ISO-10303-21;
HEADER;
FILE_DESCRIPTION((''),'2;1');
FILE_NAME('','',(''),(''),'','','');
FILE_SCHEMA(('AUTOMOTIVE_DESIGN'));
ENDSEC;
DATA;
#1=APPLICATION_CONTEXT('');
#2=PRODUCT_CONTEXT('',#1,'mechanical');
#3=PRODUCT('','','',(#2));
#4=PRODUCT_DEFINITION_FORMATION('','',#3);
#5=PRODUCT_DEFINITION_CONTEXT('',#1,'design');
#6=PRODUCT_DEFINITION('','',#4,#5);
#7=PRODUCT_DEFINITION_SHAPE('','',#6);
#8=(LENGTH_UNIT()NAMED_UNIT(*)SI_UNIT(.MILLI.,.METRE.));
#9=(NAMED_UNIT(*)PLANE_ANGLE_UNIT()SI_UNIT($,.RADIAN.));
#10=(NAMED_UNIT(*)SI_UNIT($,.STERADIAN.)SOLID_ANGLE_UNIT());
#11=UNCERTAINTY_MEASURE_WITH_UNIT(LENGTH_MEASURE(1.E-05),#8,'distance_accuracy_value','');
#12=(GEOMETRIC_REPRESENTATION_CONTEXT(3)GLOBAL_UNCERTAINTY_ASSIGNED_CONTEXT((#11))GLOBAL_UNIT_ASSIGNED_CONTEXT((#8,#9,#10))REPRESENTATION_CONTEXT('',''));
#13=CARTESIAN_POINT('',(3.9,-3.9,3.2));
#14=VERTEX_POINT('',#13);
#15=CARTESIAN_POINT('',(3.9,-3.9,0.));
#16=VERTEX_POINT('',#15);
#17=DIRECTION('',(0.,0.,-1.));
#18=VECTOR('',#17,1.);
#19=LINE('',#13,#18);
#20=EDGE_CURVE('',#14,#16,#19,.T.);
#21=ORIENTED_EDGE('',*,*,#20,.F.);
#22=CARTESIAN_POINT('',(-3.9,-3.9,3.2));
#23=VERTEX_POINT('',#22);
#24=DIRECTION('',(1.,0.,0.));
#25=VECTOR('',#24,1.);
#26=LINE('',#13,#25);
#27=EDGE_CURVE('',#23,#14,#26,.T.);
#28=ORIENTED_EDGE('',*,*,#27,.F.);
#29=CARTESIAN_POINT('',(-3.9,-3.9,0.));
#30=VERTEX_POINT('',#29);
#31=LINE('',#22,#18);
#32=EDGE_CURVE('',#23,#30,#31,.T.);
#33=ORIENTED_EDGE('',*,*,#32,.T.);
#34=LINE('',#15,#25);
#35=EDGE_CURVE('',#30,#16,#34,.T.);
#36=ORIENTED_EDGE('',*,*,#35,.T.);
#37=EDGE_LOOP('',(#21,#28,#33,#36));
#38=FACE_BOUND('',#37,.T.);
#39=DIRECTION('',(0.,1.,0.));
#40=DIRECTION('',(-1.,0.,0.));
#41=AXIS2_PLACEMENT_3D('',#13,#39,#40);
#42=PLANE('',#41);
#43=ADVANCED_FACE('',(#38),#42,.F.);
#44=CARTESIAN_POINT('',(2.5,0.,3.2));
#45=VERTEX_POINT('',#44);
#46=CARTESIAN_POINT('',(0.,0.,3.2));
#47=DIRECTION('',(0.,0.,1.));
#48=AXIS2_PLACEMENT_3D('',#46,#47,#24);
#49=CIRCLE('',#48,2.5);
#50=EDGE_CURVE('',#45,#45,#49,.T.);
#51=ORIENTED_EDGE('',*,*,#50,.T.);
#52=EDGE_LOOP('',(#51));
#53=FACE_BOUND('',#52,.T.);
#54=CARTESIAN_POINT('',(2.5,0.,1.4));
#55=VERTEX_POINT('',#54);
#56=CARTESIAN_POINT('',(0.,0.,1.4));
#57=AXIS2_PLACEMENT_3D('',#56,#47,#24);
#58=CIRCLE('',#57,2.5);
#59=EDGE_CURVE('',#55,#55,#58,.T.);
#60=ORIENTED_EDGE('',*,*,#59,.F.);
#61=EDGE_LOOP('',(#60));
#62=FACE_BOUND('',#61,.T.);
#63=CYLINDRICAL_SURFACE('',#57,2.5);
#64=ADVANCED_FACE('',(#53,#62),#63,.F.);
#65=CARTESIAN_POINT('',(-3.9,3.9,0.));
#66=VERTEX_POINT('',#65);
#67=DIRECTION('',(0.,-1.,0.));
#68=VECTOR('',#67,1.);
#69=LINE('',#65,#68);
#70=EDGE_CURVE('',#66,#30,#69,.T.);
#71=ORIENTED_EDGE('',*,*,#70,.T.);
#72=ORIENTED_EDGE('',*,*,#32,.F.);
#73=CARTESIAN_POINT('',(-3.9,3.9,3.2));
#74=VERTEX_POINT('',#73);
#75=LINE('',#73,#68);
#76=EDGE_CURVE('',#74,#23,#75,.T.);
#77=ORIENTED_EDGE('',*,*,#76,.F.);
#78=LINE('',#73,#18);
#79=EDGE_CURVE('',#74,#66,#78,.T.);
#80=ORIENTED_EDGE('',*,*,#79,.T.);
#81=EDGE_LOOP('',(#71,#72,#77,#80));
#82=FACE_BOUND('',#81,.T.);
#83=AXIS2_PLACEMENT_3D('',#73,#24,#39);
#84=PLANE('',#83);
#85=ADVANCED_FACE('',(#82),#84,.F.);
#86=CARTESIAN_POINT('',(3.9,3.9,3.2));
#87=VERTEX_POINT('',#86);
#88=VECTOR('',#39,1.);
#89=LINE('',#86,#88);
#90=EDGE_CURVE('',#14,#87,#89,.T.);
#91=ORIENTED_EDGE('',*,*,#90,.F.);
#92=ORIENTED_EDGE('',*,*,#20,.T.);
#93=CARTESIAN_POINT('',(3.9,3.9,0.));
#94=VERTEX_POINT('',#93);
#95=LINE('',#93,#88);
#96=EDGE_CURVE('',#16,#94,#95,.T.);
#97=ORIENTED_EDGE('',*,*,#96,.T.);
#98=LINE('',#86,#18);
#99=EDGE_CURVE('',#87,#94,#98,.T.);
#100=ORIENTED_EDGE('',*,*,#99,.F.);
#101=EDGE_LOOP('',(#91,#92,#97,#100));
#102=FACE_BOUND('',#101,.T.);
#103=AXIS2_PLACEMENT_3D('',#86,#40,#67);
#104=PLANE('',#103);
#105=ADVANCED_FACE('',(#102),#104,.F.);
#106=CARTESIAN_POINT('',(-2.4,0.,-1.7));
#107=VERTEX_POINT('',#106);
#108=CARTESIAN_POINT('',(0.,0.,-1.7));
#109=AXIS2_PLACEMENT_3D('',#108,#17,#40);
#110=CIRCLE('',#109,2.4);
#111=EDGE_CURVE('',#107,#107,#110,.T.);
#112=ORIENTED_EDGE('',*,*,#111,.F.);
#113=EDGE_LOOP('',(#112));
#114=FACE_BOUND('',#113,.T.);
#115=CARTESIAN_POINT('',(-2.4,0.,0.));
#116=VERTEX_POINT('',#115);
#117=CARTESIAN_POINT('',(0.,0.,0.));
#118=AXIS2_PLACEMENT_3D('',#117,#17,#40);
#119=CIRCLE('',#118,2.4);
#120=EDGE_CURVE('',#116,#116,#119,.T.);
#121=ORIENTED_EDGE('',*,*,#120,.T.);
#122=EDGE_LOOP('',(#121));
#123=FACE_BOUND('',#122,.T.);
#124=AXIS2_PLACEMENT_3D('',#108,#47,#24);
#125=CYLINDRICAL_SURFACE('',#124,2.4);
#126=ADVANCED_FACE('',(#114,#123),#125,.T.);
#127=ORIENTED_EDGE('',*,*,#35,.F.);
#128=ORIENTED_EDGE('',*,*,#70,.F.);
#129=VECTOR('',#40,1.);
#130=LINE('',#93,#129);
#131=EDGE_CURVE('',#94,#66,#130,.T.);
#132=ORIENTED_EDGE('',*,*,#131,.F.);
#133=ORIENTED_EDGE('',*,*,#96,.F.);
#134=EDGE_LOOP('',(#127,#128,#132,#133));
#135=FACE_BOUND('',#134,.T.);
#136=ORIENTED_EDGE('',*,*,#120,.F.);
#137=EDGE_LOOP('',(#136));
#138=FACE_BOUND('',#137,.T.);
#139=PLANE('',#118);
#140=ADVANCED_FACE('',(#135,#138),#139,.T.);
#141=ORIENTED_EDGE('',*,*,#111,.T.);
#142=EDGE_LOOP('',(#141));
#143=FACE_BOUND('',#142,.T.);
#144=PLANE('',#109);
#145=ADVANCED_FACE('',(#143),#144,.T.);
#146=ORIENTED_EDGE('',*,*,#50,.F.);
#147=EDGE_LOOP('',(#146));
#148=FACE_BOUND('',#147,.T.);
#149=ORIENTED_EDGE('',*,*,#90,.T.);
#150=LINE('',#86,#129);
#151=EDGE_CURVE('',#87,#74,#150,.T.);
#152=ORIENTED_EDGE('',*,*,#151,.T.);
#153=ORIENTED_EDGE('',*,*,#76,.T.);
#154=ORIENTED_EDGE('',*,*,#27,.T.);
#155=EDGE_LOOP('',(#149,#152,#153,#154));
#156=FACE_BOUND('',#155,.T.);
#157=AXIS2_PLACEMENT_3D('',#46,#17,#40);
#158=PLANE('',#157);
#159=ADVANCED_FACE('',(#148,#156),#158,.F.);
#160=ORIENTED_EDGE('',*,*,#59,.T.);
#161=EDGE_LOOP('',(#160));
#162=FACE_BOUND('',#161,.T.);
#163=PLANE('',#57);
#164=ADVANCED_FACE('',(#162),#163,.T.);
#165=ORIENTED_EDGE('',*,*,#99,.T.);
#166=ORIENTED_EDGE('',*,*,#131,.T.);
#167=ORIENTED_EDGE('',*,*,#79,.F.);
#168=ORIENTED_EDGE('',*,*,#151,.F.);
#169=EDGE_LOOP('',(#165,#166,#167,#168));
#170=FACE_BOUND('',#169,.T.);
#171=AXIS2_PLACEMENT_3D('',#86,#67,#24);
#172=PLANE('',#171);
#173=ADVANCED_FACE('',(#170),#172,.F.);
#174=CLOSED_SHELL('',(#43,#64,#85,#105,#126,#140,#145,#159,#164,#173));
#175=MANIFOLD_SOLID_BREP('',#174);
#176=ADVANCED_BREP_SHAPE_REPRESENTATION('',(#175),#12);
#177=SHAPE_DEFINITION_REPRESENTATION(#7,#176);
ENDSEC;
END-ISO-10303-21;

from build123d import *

# Parameters (mm, degrees)
SKETCH_1_W          = 7.8
SKETCH_1_H          = 7.8
EXTRUDE_1_DEPTH     = 3.2
SKETCH_2_R          = 2.5
CUT_EXTRUDE_1_DEPTH = 1.8
SKETCH_3_R          = 2.4
EXTRUDE_2_DEPTH     = 1.7


with BuildPart() as part:
    # Эскиз1 → Бобышка-Вытянуть1 (new body)
    with BuildSketch(Plane.XY):
        Rectangle(SKETCH_1_W, SKETCH_1_H)
    extrude(amount=EXTRUDE_1_DEPTH)

    # Эскиз2 → Вырез-Вытянуть1 (cut)
    with BuildSketch(Plane.XY.offset(3.2)):
        Circle(SKETCH_2_R)
    extrude(amount=-CUT_EXTRUDE_1_DEPTH, mode=Mode.SUBTRACT)

    # Эскиз3 → Бобышка-Вытянуть2 (add)
    with BuildSketch(Plane(origin=(0, 0, 0), x_dir=(-1, 0, 0), z_dir=(0, 0, -1))):
        Circle(SKETCH_3_R)
    extrude(amount=EXTRUDE_2_DEPTH)


solid = part.part
